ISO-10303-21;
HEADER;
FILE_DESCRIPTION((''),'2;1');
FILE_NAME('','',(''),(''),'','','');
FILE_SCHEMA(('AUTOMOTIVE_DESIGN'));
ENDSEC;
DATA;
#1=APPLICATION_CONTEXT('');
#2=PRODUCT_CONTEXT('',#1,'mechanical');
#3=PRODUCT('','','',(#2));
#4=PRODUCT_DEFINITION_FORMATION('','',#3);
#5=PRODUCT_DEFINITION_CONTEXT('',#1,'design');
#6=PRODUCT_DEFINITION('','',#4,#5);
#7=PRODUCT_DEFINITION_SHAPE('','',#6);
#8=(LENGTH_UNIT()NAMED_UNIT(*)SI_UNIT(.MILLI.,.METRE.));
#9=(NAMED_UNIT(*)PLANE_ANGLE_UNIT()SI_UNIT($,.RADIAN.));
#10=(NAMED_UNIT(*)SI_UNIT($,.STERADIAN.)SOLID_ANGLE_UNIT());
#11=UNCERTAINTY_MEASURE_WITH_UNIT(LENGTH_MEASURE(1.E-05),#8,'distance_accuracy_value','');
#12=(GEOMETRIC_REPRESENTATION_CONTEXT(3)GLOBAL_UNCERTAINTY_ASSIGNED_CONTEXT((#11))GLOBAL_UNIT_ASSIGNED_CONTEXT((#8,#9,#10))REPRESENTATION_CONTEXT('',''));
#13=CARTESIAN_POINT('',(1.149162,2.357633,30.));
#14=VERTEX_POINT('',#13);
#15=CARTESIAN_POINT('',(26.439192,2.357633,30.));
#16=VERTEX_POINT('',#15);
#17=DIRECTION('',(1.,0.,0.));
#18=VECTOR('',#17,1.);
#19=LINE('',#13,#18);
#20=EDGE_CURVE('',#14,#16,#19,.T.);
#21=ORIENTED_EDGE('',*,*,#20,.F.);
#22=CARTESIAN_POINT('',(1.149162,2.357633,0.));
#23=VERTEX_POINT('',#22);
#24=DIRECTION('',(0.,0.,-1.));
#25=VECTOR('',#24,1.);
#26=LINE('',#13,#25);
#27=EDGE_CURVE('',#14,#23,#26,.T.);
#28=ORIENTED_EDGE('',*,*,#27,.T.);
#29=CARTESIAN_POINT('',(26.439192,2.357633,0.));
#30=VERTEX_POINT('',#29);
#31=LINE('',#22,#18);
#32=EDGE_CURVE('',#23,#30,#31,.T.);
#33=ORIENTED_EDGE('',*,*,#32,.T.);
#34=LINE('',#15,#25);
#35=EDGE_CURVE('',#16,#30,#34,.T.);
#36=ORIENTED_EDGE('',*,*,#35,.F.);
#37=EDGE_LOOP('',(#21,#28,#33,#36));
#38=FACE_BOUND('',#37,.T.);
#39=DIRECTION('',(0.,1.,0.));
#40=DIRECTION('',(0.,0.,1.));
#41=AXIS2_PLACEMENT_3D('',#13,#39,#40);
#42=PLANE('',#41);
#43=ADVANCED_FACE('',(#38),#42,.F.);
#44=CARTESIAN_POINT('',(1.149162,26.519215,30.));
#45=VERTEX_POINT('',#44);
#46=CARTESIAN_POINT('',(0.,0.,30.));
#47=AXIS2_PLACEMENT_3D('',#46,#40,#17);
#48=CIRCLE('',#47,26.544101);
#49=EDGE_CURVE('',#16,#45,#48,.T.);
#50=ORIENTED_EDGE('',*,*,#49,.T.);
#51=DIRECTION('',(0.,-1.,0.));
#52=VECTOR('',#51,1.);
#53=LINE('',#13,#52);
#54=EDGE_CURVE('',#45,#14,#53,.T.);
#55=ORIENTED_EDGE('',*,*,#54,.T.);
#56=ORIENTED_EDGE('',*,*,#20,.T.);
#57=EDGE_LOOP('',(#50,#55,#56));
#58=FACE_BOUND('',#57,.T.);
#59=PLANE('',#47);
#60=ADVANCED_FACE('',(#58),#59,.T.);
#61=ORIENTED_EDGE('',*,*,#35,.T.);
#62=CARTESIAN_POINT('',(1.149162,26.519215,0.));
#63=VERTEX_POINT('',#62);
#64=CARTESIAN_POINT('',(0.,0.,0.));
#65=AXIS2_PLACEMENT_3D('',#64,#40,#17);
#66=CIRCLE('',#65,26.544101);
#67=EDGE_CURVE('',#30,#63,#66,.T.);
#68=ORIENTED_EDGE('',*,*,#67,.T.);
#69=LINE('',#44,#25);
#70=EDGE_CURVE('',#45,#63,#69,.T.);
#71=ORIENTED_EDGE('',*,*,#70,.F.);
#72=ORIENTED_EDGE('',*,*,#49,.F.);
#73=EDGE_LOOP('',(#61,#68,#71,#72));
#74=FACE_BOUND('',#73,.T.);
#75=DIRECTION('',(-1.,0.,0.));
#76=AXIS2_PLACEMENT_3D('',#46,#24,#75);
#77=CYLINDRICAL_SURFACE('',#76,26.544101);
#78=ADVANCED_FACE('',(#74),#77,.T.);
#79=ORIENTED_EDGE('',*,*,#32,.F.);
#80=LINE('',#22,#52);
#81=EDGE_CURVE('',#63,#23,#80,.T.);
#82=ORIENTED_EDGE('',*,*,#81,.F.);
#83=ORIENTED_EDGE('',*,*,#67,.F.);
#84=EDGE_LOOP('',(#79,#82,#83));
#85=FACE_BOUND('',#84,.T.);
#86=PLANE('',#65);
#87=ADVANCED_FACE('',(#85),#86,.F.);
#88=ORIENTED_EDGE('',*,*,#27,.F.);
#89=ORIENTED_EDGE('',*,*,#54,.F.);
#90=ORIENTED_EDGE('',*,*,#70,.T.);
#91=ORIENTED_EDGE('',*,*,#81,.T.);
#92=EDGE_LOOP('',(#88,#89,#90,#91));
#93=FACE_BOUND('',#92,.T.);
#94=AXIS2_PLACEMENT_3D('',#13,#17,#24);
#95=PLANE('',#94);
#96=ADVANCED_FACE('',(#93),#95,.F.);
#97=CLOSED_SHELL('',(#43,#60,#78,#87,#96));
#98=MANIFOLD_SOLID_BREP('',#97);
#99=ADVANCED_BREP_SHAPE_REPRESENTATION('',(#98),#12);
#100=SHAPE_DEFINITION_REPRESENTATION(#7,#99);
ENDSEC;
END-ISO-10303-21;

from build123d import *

# Parameters (mm, degrees)
DODANIE_WYCI_GNI_CIE1_DEPTH = 30


with BuildPart() as part:
    # Szkic1 → Dodanie-wyciągnięcie1 (new body)
    with BuildSketch(Plane.XY):
        with BuildLine():
            Line((1.149162211, 2.357632839), (26.439192301, 2.357632839))
            ThreePointArc((26.439192301, 2.357632839), (18.33643465, 19.192823827), (1.149162211, 26.5192147))
            Line((1.149162211, 26.5192147), (1.149162211, 2.357632839))
        make_face()
    extrude(amount=DODANIE_WYCI_GNI_CIE1_DEPTH)


solid = part.part
